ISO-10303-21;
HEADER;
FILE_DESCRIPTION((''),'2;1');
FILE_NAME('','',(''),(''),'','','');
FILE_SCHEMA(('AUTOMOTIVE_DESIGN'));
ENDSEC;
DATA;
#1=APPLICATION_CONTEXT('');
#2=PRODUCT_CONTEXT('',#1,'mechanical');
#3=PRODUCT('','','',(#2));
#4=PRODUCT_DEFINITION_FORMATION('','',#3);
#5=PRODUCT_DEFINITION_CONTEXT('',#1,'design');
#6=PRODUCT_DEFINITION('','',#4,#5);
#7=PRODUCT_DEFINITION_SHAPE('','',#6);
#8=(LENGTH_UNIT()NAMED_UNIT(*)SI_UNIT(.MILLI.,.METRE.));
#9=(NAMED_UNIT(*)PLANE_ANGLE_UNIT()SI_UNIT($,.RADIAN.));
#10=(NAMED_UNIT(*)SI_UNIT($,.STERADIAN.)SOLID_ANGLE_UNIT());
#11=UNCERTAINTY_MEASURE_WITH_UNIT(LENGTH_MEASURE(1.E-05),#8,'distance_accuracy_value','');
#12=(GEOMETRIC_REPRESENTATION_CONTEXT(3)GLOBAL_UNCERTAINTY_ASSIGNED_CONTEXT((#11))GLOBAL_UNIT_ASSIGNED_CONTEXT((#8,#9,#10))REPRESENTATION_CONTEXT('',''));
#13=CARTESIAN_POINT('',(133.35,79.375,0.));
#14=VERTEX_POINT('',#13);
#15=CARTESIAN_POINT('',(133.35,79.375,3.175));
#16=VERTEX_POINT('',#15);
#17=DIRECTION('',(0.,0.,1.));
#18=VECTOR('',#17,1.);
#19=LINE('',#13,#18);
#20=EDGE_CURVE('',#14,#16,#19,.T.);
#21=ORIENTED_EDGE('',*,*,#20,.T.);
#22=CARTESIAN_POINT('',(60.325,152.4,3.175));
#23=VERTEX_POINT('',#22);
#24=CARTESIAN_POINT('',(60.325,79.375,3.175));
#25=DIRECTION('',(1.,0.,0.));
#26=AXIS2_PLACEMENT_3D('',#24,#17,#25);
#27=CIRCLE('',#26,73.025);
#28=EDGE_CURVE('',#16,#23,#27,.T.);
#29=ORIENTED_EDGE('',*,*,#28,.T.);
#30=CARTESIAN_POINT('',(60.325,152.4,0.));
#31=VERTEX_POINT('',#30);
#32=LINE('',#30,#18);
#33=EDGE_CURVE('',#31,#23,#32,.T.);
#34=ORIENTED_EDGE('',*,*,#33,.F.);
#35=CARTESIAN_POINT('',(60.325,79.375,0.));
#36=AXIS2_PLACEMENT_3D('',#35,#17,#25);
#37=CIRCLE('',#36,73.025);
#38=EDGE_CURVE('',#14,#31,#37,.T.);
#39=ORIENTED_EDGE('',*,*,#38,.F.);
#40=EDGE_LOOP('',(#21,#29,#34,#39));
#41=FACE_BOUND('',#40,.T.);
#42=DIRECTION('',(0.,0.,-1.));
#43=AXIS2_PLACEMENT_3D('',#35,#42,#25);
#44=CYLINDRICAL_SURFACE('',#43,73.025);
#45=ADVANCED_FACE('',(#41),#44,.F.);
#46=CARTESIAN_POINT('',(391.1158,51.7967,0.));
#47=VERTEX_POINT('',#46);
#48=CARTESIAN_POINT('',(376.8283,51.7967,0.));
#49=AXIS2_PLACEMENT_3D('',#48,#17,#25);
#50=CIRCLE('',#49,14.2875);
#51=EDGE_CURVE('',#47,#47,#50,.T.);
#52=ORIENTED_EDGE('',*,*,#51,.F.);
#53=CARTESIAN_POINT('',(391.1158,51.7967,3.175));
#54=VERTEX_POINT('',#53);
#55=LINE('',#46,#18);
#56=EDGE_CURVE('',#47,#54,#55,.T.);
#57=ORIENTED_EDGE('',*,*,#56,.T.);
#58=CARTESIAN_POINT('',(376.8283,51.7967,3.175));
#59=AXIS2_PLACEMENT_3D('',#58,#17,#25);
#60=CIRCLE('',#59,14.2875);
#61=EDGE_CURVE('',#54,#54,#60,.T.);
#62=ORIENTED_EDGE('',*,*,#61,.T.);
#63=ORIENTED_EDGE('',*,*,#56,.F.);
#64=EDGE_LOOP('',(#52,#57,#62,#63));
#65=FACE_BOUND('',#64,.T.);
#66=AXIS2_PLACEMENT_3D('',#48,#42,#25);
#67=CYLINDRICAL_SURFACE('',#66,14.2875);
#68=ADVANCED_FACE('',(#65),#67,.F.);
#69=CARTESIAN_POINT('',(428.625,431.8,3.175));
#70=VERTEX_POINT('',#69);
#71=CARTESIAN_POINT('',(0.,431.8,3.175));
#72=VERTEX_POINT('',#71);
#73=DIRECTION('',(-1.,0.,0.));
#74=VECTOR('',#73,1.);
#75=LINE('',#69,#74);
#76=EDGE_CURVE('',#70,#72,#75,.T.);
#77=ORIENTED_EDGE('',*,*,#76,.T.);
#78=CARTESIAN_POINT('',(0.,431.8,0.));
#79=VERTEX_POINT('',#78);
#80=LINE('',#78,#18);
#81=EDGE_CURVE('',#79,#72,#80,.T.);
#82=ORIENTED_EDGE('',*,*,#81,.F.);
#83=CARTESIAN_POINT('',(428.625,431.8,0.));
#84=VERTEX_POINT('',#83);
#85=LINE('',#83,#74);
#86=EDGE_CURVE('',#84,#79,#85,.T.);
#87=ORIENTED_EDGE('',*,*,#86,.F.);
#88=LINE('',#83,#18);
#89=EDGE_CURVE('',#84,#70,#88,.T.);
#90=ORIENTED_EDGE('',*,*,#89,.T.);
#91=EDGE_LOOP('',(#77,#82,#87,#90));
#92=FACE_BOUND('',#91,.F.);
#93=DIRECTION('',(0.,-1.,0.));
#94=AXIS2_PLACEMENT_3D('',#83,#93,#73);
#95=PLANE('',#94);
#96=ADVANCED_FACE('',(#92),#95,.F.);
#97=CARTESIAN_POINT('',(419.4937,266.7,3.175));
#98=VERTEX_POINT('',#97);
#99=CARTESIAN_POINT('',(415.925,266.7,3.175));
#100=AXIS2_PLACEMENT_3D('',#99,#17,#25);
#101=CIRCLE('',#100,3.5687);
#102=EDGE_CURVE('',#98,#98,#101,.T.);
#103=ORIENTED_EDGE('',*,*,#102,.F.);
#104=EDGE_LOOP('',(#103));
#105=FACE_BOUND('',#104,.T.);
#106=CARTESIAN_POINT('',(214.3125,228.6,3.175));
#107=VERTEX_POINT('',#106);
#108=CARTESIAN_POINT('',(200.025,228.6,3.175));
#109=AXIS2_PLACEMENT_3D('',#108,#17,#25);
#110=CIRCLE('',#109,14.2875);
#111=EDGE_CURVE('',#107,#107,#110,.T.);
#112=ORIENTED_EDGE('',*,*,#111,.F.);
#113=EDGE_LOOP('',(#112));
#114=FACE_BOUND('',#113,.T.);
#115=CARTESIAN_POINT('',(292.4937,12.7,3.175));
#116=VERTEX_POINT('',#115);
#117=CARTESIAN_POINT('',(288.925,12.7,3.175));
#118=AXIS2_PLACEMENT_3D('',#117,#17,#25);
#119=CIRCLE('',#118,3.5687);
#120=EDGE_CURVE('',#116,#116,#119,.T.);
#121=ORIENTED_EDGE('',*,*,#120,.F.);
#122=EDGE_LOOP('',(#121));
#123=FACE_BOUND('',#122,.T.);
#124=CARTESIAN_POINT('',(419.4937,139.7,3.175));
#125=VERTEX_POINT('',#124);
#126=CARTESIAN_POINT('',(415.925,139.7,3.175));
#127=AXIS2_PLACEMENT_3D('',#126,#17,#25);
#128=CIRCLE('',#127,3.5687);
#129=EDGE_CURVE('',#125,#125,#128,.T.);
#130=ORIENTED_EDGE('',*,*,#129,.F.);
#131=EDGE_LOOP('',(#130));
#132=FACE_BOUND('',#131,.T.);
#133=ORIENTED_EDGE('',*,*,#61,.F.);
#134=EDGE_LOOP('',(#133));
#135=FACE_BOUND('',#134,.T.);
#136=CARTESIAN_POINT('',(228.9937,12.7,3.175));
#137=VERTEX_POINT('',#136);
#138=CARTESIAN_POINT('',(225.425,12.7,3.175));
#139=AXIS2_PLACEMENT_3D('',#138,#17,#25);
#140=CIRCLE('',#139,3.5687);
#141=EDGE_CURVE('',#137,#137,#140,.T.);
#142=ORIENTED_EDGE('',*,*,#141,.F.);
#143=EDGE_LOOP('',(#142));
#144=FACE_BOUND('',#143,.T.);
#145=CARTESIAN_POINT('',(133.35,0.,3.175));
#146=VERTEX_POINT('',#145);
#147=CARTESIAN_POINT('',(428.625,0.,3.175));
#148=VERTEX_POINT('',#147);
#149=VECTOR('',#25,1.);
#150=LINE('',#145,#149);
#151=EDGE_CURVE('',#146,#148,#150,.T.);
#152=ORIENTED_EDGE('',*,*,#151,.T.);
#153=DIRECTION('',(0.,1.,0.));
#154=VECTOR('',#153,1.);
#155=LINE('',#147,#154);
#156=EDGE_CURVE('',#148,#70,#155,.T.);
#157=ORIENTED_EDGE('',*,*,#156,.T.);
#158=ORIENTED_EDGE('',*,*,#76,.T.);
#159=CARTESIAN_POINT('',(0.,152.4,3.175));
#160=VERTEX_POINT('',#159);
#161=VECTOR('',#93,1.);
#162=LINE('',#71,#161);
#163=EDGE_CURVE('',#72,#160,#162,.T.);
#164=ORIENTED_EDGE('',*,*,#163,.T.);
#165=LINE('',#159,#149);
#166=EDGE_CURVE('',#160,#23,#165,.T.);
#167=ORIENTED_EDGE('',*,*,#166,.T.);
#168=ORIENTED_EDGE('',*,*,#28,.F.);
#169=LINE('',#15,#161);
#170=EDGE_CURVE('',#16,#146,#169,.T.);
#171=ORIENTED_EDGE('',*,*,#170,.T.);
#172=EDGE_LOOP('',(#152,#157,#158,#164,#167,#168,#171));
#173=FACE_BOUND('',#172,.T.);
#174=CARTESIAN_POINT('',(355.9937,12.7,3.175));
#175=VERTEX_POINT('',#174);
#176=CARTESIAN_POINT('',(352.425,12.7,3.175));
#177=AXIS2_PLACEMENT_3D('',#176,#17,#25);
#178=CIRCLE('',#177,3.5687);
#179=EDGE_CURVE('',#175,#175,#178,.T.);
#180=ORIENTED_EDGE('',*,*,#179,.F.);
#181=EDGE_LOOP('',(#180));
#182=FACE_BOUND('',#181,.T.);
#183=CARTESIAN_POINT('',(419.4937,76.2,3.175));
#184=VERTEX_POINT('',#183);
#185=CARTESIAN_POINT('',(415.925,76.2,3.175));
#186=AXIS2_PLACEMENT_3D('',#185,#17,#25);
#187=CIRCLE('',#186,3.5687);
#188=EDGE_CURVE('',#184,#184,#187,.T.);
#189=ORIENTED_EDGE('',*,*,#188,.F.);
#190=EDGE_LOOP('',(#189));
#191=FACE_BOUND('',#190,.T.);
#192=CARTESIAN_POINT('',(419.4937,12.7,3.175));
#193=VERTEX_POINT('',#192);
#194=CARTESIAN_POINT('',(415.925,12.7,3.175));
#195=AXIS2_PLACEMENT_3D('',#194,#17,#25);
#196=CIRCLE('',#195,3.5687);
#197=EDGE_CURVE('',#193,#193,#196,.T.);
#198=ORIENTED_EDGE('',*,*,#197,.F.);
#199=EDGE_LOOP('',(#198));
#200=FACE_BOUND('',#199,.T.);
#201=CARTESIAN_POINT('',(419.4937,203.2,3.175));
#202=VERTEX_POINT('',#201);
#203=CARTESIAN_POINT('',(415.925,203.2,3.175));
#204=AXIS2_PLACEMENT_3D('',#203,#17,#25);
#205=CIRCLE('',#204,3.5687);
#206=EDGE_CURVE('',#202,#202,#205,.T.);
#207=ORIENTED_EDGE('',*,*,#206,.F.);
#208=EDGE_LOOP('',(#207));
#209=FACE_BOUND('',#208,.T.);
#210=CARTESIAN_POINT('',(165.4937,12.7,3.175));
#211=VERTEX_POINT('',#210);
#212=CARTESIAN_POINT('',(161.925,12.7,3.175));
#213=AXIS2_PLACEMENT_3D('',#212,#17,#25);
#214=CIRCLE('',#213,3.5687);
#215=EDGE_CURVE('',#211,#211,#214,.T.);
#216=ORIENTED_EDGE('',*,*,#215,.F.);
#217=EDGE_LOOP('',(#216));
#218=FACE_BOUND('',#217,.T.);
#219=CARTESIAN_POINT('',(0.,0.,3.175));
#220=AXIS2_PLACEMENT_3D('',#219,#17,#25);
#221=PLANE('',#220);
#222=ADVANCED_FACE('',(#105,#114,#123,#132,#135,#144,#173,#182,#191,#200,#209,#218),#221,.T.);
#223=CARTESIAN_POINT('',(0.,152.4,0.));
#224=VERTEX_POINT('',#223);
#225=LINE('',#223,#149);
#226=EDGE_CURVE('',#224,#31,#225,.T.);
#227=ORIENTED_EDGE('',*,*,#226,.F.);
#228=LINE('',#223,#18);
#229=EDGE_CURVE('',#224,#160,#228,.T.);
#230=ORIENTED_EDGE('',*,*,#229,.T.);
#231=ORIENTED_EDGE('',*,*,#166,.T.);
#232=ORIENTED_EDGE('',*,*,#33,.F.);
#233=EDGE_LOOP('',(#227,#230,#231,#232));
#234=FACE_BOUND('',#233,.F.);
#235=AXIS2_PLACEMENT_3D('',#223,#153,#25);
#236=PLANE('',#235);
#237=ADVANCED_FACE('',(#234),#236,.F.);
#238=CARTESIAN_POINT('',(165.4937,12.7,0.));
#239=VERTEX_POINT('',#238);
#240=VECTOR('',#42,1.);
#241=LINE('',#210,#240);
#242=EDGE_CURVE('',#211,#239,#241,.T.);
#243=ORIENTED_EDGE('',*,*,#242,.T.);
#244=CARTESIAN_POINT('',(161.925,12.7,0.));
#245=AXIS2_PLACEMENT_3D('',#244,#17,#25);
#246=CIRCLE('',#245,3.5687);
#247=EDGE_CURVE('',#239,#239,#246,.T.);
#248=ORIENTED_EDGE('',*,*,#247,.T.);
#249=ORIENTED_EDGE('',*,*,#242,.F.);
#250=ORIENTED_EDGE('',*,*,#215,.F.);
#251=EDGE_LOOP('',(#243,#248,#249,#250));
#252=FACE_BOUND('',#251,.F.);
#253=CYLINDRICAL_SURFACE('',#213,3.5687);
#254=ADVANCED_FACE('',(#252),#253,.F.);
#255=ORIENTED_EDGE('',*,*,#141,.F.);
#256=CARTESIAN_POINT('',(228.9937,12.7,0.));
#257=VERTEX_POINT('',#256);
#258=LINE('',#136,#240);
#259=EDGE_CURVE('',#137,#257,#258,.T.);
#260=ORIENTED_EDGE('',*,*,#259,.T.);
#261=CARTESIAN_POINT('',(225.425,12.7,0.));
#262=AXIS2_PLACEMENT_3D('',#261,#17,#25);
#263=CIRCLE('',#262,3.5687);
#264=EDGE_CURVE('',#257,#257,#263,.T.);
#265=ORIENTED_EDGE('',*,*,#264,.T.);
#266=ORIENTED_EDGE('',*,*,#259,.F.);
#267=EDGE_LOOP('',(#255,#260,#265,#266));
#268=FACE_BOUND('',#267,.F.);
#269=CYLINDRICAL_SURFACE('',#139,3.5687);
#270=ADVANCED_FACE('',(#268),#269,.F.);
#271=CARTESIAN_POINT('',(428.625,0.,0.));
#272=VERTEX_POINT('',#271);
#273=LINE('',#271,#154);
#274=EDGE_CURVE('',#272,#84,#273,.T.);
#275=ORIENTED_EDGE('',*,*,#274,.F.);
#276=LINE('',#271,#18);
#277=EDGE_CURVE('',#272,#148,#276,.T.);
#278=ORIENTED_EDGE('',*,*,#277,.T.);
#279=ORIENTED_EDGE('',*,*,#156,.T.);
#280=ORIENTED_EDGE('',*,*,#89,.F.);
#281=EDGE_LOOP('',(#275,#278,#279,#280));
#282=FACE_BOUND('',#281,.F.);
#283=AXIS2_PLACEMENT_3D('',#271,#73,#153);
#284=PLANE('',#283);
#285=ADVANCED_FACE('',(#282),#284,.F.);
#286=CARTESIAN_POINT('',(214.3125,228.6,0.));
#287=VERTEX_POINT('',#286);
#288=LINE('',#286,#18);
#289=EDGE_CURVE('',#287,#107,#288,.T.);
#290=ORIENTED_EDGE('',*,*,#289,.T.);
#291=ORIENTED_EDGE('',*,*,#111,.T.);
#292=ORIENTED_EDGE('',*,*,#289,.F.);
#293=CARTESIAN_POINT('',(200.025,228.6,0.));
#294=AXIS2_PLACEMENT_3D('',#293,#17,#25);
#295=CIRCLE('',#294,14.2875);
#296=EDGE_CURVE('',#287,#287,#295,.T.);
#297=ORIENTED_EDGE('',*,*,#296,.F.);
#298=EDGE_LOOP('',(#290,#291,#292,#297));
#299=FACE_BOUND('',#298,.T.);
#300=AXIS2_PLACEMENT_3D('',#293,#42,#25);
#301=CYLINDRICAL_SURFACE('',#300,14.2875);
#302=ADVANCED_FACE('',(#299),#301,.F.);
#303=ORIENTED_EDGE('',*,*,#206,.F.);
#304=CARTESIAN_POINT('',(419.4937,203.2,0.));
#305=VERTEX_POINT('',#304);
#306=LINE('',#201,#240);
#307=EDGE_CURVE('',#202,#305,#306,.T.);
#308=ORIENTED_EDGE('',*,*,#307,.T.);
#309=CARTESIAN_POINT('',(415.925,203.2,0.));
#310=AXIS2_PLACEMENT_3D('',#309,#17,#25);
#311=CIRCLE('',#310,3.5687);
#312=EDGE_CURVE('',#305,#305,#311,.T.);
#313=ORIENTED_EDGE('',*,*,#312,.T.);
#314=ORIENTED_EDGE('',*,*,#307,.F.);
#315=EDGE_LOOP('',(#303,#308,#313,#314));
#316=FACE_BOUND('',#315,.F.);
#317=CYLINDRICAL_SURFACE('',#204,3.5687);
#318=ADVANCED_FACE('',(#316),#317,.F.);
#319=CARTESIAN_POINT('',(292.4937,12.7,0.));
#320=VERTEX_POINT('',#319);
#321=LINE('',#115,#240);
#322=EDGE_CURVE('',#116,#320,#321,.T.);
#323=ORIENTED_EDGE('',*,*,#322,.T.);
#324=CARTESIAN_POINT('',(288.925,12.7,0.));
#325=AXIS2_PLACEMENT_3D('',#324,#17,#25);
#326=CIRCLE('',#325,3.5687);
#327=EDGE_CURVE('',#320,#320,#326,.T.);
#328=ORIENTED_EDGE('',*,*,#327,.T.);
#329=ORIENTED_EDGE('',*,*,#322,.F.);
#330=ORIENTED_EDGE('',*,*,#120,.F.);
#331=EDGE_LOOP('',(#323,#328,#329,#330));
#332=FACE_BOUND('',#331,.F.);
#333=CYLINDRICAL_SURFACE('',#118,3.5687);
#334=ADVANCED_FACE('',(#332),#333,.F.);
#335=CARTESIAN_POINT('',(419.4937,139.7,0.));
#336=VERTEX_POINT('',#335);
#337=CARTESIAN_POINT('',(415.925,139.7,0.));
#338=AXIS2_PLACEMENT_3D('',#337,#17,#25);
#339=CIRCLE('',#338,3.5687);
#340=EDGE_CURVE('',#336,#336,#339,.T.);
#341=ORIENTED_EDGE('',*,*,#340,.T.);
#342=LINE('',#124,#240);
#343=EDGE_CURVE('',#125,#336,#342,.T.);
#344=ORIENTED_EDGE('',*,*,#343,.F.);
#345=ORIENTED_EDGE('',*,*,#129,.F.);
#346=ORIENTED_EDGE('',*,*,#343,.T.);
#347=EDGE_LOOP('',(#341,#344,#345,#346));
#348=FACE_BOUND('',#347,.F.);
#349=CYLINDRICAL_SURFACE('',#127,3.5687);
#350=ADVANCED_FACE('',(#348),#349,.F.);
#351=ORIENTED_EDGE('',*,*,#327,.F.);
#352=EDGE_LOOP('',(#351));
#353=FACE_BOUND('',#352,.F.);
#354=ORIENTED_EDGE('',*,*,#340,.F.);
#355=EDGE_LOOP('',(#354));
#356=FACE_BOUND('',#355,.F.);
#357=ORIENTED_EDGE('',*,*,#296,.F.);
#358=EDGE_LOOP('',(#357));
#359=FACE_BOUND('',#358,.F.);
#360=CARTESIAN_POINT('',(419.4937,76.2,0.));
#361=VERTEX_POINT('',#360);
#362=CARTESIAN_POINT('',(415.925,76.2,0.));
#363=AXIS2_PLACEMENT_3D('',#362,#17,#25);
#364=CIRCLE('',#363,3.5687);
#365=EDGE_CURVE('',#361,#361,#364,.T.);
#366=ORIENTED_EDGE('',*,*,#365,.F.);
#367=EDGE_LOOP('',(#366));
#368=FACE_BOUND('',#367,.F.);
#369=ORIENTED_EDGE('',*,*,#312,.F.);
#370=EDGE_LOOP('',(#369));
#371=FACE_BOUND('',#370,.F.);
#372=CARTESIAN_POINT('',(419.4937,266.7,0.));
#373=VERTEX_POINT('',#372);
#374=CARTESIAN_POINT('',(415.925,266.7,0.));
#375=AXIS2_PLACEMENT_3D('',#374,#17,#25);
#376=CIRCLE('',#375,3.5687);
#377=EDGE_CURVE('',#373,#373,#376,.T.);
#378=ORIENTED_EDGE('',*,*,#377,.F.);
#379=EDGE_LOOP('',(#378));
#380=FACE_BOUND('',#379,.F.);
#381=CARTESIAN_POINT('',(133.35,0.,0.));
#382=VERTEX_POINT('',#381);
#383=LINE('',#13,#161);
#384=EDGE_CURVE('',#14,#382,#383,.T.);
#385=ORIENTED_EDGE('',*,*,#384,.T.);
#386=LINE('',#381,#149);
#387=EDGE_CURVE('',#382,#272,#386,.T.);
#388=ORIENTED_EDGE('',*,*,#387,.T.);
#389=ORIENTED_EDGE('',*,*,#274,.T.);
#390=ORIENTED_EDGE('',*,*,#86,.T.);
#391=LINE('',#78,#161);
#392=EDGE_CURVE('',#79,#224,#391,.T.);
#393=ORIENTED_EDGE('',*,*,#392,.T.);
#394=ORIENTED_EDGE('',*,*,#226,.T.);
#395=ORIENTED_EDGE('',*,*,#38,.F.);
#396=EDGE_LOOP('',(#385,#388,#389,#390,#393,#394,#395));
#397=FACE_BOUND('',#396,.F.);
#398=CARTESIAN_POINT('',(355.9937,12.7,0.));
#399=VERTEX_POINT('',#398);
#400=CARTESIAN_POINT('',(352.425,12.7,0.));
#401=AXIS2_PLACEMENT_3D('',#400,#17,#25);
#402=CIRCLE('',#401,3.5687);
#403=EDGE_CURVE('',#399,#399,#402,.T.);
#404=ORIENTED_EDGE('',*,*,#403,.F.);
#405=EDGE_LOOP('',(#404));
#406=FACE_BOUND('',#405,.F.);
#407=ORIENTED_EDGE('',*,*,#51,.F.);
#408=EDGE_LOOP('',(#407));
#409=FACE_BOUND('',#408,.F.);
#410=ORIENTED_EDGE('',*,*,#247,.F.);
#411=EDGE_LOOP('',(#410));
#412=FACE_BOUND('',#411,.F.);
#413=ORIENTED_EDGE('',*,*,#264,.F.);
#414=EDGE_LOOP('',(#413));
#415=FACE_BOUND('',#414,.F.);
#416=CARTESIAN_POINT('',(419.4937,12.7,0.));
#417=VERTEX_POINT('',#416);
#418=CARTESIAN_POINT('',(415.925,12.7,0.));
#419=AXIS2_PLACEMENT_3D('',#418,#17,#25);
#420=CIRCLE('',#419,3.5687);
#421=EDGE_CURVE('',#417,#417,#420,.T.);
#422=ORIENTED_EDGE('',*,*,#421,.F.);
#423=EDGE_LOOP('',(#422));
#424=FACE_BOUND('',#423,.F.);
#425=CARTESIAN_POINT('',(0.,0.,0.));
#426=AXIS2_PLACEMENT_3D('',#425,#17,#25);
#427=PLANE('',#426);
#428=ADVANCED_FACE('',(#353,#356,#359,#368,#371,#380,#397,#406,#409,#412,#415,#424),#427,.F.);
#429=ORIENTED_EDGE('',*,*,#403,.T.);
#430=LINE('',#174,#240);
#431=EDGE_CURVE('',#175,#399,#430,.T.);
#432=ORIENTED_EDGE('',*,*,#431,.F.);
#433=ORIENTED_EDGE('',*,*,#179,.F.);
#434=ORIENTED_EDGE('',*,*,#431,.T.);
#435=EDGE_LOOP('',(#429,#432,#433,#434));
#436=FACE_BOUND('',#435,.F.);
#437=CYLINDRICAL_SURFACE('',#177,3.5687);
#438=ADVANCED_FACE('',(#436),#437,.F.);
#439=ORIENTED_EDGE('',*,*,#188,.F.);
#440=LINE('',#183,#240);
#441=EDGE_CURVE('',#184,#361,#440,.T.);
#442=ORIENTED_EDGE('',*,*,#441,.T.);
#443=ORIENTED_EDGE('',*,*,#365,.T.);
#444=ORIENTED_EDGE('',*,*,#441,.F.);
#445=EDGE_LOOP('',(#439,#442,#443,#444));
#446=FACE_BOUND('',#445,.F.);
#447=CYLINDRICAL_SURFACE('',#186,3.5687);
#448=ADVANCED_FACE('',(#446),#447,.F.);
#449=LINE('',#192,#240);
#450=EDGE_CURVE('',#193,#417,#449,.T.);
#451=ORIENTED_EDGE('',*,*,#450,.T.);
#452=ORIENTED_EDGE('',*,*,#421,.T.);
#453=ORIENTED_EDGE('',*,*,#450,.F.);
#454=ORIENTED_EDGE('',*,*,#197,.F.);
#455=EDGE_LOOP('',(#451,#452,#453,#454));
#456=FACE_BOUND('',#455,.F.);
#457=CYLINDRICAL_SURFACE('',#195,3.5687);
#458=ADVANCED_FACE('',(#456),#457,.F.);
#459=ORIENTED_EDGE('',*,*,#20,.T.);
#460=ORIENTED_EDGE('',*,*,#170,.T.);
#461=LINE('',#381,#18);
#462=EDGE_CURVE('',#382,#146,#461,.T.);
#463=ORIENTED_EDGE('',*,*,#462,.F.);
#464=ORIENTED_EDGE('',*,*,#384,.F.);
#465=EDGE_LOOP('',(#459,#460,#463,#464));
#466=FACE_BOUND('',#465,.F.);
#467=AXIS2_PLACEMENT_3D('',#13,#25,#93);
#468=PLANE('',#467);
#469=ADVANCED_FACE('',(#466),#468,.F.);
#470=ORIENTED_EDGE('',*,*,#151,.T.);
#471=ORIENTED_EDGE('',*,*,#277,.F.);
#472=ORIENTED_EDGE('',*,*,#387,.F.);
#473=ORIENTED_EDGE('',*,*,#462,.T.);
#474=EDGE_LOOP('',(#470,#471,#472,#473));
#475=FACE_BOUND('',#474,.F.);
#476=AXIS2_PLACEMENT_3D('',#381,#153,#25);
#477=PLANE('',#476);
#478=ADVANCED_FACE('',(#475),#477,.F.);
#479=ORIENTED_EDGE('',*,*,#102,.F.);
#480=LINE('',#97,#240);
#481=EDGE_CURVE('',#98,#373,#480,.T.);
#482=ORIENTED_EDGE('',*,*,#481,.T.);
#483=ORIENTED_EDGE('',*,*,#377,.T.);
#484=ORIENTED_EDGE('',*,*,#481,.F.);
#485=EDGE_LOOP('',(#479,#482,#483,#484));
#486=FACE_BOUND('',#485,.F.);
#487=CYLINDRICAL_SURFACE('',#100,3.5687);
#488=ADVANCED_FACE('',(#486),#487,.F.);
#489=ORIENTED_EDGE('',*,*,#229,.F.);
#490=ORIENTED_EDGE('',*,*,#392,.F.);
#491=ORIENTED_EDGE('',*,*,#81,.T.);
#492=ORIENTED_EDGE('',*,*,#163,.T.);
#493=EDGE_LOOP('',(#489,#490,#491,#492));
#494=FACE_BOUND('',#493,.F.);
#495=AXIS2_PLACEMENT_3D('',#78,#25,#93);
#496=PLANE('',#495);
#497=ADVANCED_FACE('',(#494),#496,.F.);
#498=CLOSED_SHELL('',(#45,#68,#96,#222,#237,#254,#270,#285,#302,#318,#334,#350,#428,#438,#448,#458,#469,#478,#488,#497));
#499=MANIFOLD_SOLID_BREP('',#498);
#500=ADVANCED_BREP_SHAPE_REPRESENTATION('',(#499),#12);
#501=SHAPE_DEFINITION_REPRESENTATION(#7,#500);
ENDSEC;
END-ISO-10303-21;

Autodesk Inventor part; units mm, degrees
ref_plane "YZ Plane" through (0, 0, 0) normal (1, 0, 0) x (0, 1, 0)
ref_plane "XZ Plane" through (0, 0, 0) normal (0, 1, 0) x (-1, 0, 0)
ref_plane "XY Plane" through (0, 0, 0) normal (0, 0, 1) x (1, 0, 0)
sketch "Sketch1" plane through (0, 0, 0) normal (0, 0, 1) x (1, 0, 0)
  line L0 (133.35, 0) -> (428.625, 0)
  line L1 (428.625, 0) -> (428.625, 431.8)
  line L2 (428.625, 431.8) -> (0, 431.8)
  circle A0 centre (200.025, 228.6) radius 14.2875
  circle A1 centre (200.025, 228.6) radius 250.0376 construction
  circle A2 centre (376.8283, 51.7967) radius 14.2875
  line L3 (200.025, 228.6) -> (428.625, 0) construction
  line L4 (0, 152.4) -> (60.325, 152.4)
  line L5 (133.35, 79.375) -> (133.35, 0)
  arc A3 (133.35, 79.375) -> (60.325, 152.4) centre (60.325, 79.375) ccw
  line L6 (0, 431.8) -> (0, 152.4)
  point P0 (0, 0)
  dimension "d5" = 500.0752
  dimension "d0" = 428.625
  dimension "d1" = 431.8
  dimension "d2" = 28.575
  dimension "d3" = 228.6
  dimension "d4" = 228.6
  dimension "d6" = 28.575
  dimension "d7" = 152.4
  dimension "d8" = 295.275
  dimension "d9" = 73.025
extrude "Extrusion1" add sketch "Sketch1" along normal blind 3.175
sketch "Sketch2" plane through (0, 0, 3.175) normal (0, 0, 1) x (1, 0, 0)
  circle A0 centre (415.925, 12.7) radius 3.5687
  line L0 (133.35, 0) -> (428.625, 0) projected
  line L1 (428.625, 0) -> (428.625, 431.8) projected
  circle A1 centre (415.925, 76.2) radius 3.5687
  circle A2 centre (415.925, 139.7) radius 3.5687
  circle A3 centre (415.925, 203.2) radius 3.5687
  circle A4 centre (415.925, 266.7) radius 3.5687
  circle A5 centre (352.425, 12.7) radius 3.5687
  circle A6 centre (288.925, 12.7) radius 3.5687
  circle A7 centre (225.425, 12.7) radius 3.5687
  circle A8 centre (161.925, 12.7) radius 3.5687
  point P0 (0, 0)
  dimension "d12" = 7.1374
  dimension "d13" = 12.7
  dimension "d14" = 12.7
  dimension "d17" = 63.5
  dimension "d27" = 63.5
extrude "Extrusion2" cut sketch "Sketch2" against normal blind 3.175
properties part number "1073-2017 Shooter Outside Plate Left"
